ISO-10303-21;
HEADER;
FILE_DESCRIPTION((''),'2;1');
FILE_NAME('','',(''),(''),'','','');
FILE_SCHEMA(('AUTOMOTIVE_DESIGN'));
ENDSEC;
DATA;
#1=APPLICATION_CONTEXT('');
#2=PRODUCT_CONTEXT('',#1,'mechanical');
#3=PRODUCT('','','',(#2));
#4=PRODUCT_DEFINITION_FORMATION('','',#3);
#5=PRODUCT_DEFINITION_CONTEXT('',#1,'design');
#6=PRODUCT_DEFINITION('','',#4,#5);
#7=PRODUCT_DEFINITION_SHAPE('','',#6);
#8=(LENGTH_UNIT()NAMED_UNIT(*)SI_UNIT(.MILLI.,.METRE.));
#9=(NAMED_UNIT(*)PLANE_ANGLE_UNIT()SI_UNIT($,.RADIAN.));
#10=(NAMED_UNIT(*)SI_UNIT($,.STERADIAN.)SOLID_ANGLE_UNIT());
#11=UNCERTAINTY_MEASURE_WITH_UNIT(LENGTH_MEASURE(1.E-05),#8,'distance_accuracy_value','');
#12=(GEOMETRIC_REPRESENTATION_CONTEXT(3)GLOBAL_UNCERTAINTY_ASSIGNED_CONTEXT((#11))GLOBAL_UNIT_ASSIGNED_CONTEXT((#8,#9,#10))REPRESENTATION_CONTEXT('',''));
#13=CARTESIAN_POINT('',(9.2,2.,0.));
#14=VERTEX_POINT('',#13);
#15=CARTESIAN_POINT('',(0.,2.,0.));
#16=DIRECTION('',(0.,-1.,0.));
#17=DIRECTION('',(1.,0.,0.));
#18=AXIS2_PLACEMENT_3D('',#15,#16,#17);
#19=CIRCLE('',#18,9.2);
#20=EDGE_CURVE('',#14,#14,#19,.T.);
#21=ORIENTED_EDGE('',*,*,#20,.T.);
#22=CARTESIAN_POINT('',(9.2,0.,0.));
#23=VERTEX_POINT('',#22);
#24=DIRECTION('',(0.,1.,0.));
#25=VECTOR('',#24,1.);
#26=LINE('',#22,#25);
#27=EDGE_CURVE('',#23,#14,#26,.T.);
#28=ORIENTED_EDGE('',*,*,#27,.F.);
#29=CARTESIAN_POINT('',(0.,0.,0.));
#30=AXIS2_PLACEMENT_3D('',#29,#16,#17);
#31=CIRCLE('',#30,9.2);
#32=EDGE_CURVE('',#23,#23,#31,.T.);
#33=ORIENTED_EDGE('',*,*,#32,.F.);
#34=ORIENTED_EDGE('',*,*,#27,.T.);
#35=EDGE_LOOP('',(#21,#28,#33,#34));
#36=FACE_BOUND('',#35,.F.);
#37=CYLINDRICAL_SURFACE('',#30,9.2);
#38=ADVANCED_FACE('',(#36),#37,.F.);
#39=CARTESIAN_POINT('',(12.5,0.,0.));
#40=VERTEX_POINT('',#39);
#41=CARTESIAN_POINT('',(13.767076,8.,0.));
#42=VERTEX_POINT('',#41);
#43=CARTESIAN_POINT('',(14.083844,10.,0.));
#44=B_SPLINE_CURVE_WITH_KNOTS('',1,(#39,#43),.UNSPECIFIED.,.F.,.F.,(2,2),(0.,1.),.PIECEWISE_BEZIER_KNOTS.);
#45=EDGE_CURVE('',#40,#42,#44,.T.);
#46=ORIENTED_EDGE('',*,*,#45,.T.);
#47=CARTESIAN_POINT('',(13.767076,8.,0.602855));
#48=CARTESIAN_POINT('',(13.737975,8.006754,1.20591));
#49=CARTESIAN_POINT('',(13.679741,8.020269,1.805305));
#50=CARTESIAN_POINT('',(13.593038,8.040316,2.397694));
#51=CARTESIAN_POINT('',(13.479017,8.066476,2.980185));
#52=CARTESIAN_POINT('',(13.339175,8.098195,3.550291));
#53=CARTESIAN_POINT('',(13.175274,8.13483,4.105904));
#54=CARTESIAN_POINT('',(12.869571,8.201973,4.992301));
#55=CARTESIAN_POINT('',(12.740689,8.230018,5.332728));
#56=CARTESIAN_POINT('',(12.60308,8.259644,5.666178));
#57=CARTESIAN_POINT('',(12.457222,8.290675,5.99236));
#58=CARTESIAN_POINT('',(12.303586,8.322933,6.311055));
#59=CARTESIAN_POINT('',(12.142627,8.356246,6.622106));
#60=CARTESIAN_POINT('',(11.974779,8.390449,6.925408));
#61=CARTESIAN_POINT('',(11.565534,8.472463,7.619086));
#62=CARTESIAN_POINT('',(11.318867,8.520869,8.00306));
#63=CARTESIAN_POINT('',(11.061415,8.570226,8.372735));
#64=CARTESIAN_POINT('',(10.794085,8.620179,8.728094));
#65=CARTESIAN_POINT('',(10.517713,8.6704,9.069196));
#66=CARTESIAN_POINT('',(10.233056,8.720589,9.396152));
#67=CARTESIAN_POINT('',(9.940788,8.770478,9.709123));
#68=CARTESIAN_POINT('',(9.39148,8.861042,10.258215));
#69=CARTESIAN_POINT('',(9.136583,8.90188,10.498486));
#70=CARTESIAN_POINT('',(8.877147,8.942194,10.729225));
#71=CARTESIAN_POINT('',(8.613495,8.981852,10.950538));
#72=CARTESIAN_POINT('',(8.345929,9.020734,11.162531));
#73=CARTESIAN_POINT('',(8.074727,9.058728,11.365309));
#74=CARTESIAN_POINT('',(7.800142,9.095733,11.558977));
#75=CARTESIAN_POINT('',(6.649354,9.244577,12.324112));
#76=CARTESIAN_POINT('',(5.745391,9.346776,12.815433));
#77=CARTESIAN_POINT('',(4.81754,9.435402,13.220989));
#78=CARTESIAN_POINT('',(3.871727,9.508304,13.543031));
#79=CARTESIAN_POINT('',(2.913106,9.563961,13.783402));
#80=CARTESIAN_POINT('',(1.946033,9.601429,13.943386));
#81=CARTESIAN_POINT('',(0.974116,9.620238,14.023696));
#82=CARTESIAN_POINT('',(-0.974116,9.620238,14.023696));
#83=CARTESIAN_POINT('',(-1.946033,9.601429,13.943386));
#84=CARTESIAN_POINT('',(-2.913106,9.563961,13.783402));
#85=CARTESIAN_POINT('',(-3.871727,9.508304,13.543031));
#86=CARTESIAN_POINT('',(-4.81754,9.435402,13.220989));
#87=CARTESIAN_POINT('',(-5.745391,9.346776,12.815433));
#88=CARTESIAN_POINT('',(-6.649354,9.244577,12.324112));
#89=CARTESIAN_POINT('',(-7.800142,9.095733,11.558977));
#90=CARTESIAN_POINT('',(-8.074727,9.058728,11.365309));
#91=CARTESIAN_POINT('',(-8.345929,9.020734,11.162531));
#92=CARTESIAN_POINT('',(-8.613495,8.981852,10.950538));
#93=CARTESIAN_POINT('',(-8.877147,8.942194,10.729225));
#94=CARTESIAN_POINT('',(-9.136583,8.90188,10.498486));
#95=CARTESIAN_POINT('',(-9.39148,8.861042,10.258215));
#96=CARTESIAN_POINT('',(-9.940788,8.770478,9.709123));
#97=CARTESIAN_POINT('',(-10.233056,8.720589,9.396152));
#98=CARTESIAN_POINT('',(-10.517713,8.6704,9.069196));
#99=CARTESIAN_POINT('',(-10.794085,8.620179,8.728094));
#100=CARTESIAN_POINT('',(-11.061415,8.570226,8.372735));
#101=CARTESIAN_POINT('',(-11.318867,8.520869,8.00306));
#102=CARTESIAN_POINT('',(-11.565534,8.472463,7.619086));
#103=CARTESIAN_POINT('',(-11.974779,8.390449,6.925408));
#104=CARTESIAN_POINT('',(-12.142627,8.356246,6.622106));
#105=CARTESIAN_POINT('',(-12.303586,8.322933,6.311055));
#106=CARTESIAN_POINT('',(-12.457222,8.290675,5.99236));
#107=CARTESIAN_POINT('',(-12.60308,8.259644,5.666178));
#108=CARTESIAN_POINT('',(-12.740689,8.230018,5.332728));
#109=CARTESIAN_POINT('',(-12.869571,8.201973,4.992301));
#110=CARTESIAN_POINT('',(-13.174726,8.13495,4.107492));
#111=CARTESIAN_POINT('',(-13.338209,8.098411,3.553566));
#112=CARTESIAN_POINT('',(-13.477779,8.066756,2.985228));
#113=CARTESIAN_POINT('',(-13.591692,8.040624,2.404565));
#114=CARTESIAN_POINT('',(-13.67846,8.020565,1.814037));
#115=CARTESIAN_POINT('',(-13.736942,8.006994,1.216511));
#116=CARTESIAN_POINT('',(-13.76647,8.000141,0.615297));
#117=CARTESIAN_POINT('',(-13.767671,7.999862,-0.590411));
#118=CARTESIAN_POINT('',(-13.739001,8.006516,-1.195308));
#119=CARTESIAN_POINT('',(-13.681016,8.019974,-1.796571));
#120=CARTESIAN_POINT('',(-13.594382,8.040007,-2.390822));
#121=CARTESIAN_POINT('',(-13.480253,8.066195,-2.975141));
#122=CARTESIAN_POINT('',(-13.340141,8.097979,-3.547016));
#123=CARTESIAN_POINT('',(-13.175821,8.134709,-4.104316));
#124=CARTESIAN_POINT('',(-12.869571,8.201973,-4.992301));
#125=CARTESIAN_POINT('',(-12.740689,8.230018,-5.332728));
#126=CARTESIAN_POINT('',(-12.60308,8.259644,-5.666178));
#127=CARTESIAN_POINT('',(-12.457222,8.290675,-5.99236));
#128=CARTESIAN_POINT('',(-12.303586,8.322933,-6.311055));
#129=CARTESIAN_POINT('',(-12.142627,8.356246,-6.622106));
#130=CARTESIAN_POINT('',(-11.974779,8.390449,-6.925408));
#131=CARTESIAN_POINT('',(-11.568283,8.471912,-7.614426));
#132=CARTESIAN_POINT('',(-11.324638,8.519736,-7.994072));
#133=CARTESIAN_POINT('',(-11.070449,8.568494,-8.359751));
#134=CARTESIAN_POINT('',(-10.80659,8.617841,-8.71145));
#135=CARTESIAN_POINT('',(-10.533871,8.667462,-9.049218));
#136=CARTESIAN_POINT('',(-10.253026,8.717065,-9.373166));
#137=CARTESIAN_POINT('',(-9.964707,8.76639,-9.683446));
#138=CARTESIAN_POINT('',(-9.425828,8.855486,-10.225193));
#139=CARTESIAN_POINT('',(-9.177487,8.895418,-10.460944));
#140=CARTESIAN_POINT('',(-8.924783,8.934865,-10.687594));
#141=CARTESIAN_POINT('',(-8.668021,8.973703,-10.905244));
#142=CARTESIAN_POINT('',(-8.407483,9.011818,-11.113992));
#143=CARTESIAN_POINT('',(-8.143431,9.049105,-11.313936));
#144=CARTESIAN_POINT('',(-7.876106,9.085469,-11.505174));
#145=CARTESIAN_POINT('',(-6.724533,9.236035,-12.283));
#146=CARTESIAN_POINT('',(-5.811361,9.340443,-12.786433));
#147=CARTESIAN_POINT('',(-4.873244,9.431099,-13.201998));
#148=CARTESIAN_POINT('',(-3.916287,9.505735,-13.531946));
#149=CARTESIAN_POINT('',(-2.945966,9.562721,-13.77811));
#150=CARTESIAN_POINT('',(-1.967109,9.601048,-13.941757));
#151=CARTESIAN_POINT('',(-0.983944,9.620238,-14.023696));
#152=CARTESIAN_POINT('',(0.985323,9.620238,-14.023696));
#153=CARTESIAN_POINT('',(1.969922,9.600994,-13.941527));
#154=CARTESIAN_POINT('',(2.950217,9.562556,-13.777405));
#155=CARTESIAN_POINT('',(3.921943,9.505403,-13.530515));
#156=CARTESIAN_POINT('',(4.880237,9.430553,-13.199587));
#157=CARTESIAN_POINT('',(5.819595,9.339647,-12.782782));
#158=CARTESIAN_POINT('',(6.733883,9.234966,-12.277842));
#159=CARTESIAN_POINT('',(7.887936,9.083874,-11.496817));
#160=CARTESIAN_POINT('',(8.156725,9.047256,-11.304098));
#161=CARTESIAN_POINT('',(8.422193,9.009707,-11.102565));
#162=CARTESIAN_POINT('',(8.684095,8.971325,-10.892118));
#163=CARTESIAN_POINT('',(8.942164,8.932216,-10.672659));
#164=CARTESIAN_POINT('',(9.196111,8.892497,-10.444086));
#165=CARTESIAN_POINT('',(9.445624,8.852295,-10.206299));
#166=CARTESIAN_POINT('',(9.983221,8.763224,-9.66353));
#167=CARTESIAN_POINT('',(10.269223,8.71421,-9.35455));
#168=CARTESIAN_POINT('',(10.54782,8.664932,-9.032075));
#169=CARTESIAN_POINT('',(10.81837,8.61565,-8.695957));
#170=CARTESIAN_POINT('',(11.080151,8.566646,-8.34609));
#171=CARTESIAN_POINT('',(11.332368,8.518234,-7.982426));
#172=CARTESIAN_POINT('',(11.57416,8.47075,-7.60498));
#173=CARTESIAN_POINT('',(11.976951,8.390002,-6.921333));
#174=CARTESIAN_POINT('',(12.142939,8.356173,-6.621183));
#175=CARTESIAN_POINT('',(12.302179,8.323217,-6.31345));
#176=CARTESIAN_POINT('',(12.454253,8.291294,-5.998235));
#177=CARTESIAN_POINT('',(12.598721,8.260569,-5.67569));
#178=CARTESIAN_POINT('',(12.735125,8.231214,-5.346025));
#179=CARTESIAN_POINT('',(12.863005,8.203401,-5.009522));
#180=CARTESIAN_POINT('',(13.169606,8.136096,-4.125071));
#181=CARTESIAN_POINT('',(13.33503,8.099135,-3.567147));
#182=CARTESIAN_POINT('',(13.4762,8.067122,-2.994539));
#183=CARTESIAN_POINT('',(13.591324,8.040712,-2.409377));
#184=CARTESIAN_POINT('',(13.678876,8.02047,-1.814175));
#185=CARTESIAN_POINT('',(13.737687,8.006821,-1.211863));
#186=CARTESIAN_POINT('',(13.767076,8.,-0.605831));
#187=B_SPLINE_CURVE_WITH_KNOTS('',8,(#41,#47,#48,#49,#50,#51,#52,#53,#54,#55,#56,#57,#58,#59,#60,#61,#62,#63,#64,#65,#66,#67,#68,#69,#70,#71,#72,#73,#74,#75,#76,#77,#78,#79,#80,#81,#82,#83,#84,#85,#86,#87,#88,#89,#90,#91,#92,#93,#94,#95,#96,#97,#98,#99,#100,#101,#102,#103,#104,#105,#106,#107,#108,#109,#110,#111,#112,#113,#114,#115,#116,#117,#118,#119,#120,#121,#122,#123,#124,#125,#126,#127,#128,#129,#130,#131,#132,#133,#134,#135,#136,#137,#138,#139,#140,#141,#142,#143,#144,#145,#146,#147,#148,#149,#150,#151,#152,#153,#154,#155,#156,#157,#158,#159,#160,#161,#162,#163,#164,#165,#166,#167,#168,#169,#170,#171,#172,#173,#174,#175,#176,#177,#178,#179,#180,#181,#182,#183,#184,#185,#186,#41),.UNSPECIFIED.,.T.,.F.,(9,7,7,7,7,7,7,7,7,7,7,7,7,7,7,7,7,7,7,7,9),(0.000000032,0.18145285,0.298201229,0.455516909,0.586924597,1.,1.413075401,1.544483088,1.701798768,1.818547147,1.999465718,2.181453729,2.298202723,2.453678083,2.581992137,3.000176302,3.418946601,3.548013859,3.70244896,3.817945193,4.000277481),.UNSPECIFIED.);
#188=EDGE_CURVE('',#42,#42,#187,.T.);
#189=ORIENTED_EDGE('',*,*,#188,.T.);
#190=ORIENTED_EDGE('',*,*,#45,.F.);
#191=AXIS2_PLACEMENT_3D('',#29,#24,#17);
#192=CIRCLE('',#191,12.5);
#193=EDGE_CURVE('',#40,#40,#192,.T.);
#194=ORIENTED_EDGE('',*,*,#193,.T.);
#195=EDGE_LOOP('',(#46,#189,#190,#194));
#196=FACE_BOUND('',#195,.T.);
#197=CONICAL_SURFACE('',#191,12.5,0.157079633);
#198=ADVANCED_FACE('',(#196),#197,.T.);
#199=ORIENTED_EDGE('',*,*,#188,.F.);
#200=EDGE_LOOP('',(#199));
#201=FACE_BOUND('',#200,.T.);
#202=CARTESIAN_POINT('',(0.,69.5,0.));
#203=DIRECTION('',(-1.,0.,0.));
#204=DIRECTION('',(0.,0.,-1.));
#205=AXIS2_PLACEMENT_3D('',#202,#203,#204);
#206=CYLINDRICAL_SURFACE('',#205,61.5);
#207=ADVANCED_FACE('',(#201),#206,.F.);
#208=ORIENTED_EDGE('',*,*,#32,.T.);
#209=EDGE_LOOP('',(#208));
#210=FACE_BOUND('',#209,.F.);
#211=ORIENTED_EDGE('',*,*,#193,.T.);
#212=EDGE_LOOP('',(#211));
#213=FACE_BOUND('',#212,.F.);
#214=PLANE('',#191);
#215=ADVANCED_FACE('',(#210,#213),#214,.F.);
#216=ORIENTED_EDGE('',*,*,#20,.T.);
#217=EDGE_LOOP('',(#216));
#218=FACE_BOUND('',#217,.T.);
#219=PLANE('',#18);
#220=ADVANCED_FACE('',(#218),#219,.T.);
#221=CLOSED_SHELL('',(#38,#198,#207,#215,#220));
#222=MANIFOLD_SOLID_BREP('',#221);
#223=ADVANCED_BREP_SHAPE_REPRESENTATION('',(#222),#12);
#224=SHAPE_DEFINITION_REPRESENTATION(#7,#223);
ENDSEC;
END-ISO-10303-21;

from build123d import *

# Parameters (mm, degrees)
SKETCH1_R               = 12.5
BOSS_EXTRUDE1_DEPTH     = 10
BOSS_EXTRUDE1_TAPER     = -9
SKETCH2_R               = 9.2
CUT_EXTRUDE1_DEPTH      = 2
SKETCH3_R               = 61.5
CUT_EXTRUDE2_DEPTH      = 15.083844503
CUT_EXTRUDE2_DEPTH_BACK = 15.083844503


with BuildPart() as part:
    # Sketch1 → Boss-Extrude1 (new body)
    with BuildSketch(Plane(origin=(0, 0, 0), x_dir=(1, 0, 0), z_dir=(0, 1, 0))):
        Circle(SKETCH1_R)
    extrude(amount=BOSS_EXTRUDE1_DEPTH, taper=BOSS_EXTRUDE1_TAPER)

    # Sketch2 → Cut-Extrude1 (cut)
    with BuildSketch(Plane.XZ):
        Circle(SKETCH2_R)
    extrude(amount=-CUT_EXTRUDE1_DEPTH, mode=Mode.SUBTRACT)

    # Sketch3 → Cut-Extrude2 (cut, two sides)
    with BuildSketch(Plane(origin=(0, 0, 0), x_dir=(0, 0, -1), z_dir=(1, 0, 0))) as cut_extrude2_sk:
        with Locations((0, 69.5)):
            Circle(SKETCH3_R)
    extrude(amount=CUT_EXTRUDE2_DEPTH, mode=Mode.SUBTRACT)
    extrude(cut_extrude2_sk.sketch, amount=-CUT_EXTRUDE2_DEPTH_BACK, mode=Mode.SUBTRACT)


solid = part.part
